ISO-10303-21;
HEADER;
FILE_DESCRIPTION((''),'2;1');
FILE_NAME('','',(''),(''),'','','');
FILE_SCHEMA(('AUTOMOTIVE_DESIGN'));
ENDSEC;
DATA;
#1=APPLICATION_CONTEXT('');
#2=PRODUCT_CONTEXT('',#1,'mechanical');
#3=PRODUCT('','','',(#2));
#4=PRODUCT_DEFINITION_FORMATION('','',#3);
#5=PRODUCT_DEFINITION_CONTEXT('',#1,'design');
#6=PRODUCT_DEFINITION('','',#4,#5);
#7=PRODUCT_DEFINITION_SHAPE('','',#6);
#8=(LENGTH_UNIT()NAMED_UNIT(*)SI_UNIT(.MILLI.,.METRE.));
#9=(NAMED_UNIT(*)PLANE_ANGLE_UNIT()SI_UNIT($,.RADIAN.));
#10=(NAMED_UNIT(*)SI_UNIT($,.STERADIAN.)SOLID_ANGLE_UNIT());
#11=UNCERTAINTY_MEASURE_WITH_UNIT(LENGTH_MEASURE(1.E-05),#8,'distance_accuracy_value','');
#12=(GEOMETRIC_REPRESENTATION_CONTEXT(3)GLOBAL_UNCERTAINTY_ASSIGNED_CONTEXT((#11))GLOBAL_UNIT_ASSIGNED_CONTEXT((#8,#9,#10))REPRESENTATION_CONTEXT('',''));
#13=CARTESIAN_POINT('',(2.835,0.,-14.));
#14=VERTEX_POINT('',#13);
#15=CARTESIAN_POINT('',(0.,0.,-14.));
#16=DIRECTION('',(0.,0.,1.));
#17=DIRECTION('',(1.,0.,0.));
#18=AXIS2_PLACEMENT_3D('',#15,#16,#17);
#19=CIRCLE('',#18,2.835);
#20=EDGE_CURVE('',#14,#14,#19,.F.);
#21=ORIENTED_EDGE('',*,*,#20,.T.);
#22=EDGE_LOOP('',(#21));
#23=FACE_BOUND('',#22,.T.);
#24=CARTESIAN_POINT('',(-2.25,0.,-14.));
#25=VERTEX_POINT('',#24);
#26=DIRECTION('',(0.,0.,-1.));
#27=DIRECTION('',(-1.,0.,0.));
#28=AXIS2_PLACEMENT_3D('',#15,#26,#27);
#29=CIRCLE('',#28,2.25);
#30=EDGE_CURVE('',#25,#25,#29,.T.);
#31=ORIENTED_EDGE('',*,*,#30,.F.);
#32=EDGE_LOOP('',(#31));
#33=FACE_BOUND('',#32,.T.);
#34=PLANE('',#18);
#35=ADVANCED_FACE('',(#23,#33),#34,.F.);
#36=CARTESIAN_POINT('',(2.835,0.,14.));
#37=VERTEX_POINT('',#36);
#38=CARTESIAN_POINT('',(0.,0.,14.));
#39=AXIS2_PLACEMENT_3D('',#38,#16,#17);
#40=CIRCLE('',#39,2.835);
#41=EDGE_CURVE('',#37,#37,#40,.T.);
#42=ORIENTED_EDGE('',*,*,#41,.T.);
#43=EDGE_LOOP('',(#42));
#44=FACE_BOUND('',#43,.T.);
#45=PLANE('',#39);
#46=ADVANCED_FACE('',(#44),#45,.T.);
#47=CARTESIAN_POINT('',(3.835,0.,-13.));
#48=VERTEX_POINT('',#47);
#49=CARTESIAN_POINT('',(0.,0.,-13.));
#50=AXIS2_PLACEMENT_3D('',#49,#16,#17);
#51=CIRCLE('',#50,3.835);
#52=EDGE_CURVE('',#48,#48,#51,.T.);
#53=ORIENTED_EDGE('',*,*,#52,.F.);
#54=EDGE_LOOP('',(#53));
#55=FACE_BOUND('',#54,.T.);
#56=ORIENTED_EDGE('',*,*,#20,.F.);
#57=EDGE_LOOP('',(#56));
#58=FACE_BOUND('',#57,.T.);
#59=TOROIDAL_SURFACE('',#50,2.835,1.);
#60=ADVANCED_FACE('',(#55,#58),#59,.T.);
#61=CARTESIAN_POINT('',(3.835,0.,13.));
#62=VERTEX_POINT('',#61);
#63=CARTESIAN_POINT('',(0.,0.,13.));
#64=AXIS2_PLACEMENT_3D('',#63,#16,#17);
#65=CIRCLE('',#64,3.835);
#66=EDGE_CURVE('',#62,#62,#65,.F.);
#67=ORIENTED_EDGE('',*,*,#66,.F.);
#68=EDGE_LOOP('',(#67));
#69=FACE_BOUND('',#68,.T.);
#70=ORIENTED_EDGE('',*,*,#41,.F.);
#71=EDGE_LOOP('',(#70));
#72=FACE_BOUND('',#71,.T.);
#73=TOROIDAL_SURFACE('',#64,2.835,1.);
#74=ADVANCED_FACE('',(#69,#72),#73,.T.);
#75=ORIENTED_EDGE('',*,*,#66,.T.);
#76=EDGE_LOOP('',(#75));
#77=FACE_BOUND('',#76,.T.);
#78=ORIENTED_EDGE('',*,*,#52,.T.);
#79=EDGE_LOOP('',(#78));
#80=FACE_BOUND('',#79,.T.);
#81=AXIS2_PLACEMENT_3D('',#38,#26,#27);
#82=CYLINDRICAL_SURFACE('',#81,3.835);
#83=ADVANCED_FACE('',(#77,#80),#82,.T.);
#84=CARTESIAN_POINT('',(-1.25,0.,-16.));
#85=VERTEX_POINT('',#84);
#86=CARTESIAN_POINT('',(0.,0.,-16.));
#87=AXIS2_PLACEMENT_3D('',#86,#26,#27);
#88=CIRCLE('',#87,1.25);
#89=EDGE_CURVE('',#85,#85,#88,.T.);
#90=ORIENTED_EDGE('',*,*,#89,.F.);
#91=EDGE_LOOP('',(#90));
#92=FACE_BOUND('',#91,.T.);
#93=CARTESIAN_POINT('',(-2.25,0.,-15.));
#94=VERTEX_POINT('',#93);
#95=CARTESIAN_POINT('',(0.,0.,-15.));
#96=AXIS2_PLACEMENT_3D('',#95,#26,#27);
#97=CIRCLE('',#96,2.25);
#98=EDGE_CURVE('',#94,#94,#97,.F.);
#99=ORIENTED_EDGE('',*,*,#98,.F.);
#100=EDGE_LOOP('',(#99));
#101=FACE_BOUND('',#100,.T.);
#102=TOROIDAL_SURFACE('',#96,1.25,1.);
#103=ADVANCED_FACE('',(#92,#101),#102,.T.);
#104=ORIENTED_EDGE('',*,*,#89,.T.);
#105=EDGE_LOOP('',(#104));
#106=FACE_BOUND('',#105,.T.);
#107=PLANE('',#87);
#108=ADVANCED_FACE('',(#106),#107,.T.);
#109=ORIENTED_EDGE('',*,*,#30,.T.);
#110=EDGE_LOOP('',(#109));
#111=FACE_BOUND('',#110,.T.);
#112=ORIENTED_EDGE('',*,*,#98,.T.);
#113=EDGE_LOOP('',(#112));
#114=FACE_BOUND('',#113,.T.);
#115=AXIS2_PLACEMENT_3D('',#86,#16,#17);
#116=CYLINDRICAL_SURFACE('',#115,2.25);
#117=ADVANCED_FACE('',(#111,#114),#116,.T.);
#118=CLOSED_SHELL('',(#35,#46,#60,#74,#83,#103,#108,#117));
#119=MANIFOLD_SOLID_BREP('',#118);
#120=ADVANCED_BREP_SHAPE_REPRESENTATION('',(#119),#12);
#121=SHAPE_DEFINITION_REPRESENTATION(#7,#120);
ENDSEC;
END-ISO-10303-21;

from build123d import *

# Parameters (mm, degrees)
SKETCH1_R           = 3.835
BOSS_EXTRUDE1_DEPTH = 14
SKETCH2_R           = 2.25
BOSS_EXTRUDE2_DEPTH = 2
FILLET1_R           = 1


with BuildPart() as part:
    # Sketch1 → Boss-Extrude1 (new, symmetric)
    with BuildSketch(Plane.XY):
        Circle(SKETCH1_R)
    extrude(amount=BOSS_EXTRUDE1_DEPTH, both=True)

    # Sketch2 → Boss-Extrude2 (add)
    with BuildSketch(Plane(origin=(0, 0, -14), x_dir=(-1, 0, 0), z_dir=(0, 0, -1))):
        Circle(SKETCH2_R)
    extrude(amount=BOSS_EXTRUDE2_DEPTH)

    # Fillet1
    fillet1_edges = [part.edges().sort_by_distance(p)[0] for p in [
        (-3.835, 0, -14),
        (-3.835, 0, 14),
        (2.25, 0, -16),
    ]]
    fillet(fillet1_edges, radius=FILLET1_R)


solid = part.part
